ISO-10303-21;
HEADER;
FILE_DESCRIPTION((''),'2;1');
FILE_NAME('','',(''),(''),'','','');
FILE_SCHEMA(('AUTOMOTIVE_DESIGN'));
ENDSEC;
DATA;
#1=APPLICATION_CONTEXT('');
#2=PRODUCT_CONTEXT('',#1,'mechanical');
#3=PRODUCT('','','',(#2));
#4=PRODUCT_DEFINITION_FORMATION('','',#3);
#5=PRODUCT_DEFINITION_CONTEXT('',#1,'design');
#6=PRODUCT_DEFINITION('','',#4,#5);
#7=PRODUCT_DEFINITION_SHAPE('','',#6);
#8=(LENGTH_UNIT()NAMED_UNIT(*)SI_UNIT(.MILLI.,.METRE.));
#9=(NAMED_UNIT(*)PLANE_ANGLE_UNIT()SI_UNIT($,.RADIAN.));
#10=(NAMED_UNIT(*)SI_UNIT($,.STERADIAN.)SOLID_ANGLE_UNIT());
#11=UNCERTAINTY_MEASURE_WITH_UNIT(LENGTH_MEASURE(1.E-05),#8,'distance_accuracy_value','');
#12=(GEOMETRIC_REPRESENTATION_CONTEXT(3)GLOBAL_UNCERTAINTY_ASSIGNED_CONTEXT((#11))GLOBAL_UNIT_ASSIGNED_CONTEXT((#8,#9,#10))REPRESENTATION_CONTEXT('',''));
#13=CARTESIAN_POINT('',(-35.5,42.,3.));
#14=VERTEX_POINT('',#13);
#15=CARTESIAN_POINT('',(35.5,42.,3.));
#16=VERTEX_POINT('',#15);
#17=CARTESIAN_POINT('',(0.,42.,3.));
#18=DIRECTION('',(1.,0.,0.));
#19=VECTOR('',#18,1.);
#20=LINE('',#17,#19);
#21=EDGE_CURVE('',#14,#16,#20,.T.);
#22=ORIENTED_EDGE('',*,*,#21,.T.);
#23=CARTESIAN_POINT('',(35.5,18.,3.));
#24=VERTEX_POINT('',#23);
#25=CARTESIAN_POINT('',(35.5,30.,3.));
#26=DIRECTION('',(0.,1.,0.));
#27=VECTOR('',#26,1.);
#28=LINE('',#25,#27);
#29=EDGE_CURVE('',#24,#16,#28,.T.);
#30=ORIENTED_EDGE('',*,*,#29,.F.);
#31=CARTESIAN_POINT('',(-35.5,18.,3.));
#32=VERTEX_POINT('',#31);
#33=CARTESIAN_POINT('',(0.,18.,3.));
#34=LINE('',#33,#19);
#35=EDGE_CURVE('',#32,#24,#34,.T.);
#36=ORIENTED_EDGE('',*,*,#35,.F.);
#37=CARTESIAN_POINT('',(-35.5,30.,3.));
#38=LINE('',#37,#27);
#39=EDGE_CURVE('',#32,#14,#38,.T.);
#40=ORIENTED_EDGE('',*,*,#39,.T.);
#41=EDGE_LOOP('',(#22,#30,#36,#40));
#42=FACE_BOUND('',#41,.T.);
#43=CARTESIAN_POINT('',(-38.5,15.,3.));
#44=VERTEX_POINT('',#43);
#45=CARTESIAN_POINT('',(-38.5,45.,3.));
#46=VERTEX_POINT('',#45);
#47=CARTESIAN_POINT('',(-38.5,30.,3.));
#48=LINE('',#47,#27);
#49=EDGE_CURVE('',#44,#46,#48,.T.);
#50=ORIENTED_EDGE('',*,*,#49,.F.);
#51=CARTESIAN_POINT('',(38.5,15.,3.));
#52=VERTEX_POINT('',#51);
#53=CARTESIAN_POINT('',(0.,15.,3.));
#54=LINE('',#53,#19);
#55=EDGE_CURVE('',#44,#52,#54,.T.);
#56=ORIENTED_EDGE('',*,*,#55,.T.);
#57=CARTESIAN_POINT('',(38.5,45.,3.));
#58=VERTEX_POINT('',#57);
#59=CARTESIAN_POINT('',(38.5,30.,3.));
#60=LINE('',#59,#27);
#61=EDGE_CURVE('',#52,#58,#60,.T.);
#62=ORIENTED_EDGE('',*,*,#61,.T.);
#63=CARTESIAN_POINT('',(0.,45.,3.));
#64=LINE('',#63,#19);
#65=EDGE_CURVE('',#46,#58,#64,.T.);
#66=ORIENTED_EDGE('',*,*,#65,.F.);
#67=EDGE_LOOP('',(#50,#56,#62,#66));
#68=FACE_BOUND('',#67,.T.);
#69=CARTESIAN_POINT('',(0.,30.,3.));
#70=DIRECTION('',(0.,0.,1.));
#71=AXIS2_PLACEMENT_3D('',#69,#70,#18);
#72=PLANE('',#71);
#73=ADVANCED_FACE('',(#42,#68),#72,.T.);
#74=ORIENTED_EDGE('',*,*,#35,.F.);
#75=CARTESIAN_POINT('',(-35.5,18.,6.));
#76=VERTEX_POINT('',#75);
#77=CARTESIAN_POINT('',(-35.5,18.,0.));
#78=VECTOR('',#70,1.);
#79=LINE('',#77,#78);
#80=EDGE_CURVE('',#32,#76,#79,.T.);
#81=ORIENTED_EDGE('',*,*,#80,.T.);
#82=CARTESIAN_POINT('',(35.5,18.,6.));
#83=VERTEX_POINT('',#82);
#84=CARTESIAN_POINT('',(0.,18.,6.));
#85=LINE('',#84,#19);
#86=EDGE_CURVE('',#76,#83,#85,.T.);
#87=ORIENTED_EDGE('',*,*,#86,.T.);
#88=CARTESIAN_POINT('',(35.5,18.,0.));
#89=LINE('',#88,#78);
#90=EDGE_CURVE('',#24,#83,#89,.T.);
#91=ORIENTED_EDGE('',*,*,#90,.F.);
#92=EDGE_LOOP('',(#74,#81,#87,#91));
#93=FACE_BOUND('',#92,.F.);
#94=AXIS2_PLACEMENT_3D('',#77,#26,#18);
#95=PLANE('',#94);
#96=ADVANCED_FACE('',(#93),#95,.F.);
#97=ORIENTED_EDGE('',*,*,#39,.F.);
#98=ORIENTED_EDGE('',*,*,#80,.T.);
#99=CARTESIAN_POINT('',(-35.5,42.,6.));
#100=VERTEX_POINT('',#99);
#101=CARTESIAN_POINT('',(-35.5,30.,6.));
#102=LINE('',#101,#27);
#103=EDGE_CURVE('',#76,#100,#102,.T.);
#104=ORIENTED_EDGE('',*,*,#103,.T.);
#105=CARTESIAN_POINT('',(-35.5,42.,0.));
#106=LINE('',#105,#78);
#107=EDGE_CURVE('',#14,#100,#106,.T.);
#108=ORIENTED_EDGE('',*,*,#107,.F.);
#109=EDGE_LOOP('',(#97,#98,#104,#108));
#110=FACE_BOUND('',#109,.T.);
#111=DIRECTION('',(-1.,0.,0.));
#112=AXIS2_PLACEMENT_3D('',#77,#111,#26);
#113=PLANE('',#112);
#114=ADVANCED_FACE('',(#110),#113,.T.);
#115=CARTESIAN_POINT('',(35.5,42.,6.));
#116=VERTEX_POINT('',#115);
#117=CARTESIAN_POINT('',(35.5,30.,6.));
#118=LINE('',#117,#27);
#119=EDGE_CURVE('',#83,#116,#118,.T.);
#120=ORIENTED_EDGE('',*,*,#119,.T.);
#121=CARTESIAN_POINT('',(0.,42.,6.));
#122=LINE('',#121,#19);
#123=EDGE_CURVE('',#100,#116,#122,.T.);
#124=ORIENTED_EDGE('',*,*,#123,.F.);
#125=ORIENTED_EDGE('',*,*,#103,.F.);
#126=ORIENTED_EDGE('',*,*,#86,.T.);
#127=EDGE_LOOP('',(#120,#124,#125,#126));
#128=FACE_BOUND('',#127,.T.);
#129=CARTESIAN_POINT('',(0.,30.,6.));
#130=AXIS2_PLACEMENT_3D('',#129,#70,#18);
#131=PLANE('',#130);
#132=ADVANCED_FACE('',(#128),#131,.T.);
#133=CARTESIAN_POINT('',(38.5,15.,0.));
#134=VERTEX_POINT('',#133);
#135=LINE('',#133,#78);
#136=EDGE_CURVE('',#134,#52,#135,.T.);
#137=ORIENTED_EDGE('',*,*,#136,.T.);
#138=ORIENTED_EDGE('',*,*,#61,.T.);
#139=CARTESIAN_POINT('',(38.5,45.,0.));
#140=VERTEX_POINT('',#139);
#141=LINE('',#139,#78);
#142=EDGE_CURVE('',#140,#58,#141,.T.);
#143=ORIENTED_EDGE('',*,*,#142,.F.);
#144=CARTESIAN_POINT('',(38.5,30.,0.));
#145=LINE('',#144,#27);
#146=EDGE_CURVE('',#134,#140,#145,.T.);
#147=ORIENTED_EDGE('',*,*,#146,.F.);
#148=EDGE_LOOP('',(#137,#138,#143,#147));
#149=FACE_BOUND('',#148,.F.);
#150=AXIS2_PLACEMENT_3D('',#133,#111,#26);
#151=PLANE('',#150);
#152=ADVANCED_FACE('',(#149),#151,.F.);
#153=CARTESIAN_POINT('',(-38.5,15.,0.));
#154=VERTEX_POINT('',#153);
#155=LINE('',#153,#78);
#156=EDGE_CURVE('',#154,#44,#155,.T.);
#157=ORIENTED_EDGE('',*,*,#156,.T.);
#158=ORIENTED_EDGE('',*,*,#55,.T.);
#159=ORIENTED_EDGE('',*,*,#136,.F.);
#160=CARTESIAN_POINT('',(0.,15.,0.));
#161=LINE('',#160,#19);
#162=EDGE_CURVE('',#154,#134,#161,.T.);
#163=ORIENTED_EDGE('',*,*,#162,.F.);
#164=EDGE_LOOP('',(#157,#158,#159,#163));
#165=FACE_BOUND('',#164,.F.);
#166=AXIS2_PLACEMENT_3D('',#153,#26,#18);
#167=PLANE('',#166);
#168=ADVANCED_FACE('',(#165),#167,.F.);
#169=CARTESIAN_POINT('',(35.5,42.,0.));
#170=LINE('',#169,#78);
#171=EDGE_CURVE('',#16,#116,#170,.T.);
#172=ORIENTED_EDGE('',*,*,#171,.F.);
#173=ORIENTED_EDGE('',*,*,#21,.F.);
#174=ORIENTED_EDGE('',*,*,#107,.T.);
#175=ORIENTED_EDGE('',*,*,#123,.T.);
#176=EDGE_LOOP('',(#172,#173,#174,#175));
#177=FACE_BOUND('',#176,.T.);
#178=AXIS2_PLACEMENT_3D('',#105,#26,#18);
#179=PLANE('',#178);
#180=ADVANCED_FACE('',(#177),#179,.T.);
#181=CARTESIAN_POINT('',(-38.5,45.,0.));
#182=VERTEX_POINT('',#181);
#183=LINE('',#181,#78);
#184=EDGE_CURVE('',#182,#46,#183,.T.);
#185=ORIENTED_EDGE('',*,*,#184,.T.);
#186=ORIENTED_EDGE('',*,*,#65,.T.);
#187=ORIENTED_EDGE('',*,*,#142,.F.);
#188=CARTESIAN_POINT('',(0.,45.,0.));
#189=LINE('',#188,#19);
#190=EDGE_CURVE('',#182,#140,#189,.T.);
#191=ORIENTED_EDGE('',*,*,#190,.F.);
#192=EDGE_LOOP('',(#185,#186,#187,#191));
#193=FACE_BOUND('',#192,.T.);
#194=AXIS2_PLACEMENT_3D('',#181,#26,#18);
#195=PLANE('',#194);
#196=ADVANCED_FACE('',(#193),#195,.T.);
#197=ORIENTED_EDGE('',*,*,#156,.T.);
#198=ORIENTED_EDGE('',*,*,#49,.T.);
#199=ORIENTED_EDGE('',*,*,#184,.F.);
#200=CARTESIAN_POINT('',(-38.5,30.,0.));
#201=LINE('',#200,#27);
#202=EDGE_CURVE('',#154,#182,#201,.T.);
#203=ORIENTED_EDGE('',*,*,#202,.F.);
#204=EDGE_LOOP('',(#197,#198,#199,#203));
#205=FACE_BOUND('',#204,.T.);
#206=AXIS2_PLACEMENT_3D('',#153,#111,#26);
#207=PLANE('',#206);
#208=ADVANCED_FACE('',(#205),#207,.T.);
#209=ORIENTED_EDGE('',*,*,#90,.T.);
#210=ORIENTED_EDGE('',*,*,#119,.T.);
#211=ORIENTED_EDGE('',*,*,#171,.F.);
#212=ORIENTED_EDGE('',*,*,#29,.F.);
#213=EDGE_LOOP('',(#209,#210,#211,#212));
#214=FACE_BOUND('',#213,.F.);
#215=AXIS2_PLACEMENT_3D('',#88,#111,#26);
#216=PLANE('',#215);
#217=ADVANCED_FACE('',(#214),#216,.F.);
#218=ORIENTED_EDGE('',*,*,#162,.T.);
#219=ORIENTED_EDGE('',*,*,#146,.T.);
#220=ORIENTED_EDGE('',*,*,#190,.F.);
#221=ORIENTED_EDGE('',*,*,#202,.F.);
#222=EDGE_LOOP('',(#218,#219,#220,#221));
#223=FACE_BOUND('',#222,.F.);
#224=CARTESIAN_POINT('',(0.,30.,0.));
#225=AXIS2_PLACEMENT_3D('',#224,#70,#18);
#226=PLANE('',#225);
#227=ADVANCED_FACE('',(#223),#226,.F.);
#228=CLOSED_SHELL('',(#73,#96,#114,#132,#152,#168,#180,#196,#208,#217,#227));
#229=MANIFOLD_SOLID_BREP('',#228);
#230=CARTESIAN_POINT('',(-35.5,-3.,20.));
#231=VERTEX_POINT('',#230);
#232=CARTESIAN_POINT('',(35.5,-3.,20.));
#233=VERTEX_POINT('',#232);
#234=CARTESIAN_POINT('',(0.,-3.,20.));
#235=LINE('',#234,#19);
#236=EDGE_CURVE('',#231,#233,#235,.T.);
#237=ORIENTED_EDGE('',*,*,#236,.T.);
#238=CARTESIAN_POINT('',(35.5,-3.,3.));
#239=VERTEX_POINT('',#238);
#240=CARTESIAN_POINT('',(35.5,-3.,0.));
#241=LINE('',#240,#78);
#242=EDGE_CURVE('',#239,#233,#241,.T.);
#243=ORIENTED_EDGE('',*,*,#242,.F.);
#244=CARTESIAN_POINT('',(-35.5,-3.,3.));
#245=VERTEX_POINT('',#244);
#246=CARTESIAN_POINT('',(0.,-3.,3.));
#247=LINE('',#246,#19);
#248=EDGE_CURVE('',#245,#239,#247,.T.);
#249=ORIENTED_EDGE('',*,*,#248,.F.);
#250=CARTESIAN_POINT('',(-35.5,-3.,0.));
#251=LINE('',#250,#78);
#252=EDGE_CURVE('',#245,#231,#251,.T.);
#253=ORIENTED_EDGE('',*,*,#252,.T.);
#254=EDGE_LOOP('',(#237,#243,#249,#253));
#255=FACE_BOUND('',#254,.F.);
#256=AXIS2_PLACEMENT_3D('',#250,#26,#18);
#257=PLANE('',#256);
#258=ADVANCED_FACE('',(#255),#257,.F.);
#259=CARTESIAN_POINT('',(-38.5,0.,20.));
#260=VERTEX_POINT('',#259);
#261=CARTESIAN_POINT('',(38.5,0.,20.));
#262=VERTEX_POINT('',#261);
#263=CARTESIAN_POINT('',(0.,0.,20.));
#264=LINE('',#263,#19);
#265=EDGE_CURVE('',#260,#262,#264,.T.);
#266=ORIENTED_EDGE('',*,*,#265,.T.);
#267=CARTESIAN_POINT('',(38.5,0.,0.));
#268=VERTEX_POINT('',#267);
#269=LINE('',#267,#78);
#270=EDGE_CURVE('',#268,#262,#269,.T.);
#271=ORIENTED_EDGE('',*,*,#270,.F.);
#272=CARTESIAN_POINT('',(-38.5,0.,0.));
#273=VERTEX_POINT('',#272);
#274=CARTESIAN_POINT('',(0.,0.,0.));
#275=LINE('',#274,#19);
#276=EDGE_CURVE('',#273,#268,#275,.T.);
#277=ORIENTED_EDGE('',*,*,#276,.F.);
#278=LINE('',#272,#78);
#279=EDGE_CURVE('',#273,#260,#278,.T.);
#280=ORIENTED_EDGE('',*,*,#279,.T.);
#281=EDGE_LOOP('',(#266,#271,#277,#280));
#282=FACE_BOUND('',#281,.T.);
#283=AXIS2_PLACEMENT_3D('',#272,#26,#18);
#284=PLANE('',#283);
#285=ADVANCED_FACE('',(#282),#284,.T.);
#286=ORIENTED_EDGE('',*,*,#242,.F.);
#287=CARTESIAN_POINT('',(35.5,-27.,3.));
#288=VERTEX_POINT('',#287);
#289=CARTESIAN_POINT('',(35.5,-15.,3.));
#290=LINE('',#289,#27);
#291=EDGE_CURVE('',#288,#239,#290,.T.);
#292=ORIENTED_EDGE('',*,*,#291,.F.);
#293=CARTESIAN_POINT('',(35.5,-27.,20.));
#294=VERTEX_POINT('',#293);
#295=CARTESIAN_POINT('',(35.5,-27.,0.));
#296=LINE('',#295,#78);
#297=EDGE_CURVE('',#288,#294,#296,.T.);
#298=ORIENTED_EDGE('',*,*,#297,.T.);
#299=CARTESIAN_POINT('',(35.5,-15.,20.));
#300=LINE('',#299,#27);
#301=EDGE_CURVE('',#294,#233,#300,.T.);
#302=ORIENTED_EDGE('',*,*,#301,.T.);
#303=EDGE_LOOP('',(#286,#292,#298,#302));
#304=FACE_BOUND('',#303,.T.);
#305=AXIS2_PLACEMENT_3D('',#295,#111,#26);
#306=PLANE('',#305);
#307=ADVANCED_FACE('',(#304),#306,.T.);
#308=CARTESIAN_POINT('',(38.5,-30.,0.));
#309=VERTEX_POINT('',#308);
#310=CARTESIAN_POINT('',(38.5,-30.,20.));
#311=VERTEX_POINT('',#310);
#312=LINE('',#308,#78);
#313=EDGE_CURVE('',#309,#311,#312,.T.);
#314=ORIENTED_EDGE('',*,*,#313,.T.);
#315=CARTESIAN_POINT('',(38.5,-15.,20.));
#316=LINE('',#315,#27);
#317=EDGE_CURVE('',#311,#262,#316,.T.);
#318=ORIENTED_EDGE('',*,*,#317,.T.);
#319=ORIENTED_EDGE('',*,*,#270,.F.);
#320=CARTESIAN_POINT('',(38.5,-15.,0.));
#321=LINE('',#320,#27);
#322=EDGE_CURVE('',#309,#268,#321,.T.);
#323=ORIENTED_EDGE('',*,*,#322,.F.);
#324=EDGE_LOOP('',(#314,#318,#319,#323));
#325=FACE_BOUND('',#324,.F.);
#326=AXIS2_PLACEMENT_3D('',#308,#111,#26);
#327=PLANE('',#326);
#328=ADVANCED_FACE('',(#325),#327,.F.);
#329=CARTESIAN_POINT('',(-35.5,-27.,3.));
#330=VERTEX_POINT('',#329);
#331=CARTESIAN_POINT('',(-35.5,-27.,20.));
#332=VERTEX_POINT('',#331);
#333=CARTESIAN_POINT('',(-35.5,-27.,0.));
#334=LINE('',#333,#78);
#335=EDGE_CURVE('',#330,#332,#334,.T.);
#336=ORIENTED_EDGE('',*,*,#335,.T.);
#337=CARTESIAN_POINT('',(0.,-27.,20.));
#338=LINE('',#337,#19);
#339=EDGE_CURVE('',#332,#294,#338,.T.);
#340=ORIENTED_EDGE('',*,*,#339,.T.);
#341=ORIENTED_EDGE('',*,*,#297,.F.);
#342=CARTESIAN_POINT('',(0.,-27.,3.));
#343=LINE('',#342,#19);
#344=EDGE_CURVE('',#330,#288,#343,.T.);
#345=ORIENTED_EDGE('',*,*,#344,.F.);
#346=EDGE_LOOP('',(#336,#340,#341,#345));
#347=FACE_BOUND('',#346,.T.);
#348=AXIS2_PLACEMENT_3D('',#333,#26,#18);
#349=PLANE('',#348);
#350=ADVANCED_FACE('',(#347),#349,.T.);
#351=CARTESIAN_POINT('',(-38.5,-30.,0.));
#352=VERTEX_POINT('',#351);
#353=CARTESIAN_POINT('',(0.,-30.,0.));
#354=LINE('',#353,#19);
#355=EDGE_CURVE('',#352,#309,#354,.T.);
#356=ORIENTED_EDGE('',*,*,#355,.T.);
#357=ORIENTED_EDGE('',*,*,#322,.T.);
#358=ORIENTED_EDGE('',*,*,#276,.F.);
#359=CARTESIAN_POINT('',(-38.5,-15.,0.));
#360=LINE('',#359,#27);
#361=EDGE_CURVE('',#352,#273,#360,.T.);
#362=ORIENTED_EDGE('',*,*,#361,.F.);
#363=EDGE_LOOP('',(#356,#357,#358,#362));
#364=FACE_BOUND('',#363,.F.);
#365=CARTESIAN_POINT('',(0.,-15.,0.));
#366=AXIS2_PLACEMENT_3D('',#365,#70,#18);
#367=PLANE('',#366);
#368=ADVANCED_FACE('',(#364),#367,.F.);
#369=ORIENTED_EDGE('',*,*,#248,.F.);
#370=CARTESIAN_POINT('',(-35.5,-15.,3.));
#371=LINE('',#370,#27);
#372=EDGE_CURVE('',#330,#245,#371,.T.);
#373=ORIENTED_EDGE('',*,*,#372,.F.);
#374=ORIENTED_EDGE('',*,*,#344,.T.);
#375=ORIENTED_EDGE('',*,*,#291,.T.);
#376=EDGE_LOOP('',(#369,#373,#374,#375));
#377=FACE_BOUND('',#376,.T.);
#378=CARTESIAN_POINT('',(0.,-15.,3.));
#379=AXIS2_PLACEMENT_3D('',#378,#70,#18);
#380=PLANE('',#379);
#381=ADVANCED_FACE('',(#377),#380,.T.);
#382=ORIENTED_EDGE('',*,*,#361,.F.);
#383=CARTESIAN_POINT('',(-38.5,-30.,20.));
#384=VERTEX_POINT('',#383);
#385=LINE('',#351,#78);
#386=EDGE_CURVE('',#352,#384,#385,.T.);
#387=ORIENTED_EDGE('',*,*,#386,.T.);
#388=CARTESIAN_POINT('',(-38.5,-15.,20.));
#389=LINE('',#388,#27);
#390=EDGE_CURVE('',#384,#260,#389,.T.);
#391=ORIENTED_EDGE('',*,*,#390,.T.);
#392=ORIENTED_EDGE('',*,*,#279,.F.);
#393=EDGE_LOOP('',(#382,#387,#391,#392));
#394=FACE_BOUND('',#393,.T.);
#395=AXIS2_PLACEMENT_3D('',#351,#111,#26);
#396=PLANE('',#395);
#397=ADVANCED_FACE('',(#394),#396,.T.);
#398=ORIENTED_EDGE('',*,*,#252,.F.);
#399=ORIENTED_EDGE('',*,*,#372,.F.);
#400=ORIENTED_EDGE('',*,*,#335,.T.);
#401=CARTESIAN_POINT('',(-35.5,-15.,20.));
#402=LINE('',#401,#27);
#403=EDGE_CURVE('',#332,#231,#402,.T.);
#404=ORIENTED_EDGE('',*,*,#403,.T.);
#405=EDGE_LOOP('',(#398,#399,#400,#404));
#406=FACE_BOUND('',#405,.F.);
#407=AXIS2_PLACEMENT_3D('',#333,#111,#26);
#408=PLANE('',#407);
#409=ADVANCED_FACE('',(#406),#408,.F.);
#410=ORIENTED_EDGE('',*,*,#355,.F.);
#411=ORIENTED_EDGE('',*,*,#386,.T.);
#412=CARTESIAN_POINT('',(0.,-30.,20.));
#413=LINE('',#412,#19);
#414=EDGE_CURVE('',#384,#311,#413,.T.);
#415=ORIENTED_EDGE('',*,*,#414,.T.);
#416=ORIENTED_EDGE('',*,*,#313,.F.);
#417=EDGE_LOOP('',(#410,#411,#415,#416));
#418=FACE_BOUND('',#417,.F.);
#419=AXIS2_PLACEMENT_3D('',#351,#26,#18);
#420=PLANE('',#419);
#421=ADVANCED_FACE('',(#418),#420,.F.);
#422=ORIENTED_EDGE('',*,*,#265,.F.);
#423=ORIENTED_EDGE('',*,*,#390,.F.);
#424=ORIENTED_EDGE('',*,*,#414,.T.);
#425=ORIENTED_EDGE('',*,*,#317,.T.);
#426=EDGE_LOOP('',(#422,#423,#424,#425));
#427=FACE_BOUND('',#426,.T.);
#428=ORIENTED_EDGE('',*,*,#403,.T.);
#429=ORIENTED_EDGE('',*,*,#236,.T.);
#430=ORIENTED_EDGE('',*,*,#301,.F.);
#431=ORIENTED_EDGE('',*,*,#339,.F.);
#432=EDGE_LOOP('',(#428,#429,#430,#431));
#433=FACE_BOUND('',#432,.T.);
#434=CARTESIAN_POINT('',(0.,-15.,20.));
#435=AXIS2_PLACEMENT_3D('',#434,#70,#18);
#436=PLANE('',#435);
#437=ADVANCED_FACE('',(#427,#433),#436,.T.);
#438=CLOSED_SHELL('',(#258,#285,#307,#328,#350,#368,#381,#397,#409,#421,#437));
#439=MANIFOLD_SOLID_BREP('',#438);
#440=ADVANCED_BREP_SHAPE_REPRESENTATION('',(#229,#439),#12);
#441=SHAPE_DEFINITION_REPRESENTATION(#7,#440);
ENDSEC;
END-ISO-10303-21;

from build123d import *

# Parameters (mm, degrees)
F0_W     = 77
F0_H     = 30
F0_W_2   = 71
F0_H_2   = 24
F1_DEPTH = 20
F2_DEPTH = 3
F3_DEPTH = 6


with BuildPart() as f1:
    # F0 (on Top) → F1 (new body)
    with BuildSketch(Plane.XY):
        with Locations((0, -15)):
            Rectangle(F0_W, F0_H)
        with Locations((0, -15)):
            Rectangle(F0_W_2, F0_H_2, mode=Mode.SUBTRACT)
    extrude(amount=F1_DEPTH)

    # F0 (on Top) → F2 (join)
    with BuildSketch(Plane.XY):
        with Locations((0, -15)):
            Rectangle(F0_W_2, F0_H_2)
        with Locations((0, 30)):
            Rectangle(F0_W, F0_H)
        with Locations((0, 30)):
            Rectangle(F0_W_2, F0_H_2, mode=Mode.SUBTRACT)
    extrude(amount=F2_DEPTH)

    # F0 (on Top) → F3 (join)
    with BuildSketch(Plane.XY):
        with Locations((0, 30)):
            Rectangle(F0_W_2, F0_H_2)
    extrude(amount=F3_DEPTH)


solid = f1.part
